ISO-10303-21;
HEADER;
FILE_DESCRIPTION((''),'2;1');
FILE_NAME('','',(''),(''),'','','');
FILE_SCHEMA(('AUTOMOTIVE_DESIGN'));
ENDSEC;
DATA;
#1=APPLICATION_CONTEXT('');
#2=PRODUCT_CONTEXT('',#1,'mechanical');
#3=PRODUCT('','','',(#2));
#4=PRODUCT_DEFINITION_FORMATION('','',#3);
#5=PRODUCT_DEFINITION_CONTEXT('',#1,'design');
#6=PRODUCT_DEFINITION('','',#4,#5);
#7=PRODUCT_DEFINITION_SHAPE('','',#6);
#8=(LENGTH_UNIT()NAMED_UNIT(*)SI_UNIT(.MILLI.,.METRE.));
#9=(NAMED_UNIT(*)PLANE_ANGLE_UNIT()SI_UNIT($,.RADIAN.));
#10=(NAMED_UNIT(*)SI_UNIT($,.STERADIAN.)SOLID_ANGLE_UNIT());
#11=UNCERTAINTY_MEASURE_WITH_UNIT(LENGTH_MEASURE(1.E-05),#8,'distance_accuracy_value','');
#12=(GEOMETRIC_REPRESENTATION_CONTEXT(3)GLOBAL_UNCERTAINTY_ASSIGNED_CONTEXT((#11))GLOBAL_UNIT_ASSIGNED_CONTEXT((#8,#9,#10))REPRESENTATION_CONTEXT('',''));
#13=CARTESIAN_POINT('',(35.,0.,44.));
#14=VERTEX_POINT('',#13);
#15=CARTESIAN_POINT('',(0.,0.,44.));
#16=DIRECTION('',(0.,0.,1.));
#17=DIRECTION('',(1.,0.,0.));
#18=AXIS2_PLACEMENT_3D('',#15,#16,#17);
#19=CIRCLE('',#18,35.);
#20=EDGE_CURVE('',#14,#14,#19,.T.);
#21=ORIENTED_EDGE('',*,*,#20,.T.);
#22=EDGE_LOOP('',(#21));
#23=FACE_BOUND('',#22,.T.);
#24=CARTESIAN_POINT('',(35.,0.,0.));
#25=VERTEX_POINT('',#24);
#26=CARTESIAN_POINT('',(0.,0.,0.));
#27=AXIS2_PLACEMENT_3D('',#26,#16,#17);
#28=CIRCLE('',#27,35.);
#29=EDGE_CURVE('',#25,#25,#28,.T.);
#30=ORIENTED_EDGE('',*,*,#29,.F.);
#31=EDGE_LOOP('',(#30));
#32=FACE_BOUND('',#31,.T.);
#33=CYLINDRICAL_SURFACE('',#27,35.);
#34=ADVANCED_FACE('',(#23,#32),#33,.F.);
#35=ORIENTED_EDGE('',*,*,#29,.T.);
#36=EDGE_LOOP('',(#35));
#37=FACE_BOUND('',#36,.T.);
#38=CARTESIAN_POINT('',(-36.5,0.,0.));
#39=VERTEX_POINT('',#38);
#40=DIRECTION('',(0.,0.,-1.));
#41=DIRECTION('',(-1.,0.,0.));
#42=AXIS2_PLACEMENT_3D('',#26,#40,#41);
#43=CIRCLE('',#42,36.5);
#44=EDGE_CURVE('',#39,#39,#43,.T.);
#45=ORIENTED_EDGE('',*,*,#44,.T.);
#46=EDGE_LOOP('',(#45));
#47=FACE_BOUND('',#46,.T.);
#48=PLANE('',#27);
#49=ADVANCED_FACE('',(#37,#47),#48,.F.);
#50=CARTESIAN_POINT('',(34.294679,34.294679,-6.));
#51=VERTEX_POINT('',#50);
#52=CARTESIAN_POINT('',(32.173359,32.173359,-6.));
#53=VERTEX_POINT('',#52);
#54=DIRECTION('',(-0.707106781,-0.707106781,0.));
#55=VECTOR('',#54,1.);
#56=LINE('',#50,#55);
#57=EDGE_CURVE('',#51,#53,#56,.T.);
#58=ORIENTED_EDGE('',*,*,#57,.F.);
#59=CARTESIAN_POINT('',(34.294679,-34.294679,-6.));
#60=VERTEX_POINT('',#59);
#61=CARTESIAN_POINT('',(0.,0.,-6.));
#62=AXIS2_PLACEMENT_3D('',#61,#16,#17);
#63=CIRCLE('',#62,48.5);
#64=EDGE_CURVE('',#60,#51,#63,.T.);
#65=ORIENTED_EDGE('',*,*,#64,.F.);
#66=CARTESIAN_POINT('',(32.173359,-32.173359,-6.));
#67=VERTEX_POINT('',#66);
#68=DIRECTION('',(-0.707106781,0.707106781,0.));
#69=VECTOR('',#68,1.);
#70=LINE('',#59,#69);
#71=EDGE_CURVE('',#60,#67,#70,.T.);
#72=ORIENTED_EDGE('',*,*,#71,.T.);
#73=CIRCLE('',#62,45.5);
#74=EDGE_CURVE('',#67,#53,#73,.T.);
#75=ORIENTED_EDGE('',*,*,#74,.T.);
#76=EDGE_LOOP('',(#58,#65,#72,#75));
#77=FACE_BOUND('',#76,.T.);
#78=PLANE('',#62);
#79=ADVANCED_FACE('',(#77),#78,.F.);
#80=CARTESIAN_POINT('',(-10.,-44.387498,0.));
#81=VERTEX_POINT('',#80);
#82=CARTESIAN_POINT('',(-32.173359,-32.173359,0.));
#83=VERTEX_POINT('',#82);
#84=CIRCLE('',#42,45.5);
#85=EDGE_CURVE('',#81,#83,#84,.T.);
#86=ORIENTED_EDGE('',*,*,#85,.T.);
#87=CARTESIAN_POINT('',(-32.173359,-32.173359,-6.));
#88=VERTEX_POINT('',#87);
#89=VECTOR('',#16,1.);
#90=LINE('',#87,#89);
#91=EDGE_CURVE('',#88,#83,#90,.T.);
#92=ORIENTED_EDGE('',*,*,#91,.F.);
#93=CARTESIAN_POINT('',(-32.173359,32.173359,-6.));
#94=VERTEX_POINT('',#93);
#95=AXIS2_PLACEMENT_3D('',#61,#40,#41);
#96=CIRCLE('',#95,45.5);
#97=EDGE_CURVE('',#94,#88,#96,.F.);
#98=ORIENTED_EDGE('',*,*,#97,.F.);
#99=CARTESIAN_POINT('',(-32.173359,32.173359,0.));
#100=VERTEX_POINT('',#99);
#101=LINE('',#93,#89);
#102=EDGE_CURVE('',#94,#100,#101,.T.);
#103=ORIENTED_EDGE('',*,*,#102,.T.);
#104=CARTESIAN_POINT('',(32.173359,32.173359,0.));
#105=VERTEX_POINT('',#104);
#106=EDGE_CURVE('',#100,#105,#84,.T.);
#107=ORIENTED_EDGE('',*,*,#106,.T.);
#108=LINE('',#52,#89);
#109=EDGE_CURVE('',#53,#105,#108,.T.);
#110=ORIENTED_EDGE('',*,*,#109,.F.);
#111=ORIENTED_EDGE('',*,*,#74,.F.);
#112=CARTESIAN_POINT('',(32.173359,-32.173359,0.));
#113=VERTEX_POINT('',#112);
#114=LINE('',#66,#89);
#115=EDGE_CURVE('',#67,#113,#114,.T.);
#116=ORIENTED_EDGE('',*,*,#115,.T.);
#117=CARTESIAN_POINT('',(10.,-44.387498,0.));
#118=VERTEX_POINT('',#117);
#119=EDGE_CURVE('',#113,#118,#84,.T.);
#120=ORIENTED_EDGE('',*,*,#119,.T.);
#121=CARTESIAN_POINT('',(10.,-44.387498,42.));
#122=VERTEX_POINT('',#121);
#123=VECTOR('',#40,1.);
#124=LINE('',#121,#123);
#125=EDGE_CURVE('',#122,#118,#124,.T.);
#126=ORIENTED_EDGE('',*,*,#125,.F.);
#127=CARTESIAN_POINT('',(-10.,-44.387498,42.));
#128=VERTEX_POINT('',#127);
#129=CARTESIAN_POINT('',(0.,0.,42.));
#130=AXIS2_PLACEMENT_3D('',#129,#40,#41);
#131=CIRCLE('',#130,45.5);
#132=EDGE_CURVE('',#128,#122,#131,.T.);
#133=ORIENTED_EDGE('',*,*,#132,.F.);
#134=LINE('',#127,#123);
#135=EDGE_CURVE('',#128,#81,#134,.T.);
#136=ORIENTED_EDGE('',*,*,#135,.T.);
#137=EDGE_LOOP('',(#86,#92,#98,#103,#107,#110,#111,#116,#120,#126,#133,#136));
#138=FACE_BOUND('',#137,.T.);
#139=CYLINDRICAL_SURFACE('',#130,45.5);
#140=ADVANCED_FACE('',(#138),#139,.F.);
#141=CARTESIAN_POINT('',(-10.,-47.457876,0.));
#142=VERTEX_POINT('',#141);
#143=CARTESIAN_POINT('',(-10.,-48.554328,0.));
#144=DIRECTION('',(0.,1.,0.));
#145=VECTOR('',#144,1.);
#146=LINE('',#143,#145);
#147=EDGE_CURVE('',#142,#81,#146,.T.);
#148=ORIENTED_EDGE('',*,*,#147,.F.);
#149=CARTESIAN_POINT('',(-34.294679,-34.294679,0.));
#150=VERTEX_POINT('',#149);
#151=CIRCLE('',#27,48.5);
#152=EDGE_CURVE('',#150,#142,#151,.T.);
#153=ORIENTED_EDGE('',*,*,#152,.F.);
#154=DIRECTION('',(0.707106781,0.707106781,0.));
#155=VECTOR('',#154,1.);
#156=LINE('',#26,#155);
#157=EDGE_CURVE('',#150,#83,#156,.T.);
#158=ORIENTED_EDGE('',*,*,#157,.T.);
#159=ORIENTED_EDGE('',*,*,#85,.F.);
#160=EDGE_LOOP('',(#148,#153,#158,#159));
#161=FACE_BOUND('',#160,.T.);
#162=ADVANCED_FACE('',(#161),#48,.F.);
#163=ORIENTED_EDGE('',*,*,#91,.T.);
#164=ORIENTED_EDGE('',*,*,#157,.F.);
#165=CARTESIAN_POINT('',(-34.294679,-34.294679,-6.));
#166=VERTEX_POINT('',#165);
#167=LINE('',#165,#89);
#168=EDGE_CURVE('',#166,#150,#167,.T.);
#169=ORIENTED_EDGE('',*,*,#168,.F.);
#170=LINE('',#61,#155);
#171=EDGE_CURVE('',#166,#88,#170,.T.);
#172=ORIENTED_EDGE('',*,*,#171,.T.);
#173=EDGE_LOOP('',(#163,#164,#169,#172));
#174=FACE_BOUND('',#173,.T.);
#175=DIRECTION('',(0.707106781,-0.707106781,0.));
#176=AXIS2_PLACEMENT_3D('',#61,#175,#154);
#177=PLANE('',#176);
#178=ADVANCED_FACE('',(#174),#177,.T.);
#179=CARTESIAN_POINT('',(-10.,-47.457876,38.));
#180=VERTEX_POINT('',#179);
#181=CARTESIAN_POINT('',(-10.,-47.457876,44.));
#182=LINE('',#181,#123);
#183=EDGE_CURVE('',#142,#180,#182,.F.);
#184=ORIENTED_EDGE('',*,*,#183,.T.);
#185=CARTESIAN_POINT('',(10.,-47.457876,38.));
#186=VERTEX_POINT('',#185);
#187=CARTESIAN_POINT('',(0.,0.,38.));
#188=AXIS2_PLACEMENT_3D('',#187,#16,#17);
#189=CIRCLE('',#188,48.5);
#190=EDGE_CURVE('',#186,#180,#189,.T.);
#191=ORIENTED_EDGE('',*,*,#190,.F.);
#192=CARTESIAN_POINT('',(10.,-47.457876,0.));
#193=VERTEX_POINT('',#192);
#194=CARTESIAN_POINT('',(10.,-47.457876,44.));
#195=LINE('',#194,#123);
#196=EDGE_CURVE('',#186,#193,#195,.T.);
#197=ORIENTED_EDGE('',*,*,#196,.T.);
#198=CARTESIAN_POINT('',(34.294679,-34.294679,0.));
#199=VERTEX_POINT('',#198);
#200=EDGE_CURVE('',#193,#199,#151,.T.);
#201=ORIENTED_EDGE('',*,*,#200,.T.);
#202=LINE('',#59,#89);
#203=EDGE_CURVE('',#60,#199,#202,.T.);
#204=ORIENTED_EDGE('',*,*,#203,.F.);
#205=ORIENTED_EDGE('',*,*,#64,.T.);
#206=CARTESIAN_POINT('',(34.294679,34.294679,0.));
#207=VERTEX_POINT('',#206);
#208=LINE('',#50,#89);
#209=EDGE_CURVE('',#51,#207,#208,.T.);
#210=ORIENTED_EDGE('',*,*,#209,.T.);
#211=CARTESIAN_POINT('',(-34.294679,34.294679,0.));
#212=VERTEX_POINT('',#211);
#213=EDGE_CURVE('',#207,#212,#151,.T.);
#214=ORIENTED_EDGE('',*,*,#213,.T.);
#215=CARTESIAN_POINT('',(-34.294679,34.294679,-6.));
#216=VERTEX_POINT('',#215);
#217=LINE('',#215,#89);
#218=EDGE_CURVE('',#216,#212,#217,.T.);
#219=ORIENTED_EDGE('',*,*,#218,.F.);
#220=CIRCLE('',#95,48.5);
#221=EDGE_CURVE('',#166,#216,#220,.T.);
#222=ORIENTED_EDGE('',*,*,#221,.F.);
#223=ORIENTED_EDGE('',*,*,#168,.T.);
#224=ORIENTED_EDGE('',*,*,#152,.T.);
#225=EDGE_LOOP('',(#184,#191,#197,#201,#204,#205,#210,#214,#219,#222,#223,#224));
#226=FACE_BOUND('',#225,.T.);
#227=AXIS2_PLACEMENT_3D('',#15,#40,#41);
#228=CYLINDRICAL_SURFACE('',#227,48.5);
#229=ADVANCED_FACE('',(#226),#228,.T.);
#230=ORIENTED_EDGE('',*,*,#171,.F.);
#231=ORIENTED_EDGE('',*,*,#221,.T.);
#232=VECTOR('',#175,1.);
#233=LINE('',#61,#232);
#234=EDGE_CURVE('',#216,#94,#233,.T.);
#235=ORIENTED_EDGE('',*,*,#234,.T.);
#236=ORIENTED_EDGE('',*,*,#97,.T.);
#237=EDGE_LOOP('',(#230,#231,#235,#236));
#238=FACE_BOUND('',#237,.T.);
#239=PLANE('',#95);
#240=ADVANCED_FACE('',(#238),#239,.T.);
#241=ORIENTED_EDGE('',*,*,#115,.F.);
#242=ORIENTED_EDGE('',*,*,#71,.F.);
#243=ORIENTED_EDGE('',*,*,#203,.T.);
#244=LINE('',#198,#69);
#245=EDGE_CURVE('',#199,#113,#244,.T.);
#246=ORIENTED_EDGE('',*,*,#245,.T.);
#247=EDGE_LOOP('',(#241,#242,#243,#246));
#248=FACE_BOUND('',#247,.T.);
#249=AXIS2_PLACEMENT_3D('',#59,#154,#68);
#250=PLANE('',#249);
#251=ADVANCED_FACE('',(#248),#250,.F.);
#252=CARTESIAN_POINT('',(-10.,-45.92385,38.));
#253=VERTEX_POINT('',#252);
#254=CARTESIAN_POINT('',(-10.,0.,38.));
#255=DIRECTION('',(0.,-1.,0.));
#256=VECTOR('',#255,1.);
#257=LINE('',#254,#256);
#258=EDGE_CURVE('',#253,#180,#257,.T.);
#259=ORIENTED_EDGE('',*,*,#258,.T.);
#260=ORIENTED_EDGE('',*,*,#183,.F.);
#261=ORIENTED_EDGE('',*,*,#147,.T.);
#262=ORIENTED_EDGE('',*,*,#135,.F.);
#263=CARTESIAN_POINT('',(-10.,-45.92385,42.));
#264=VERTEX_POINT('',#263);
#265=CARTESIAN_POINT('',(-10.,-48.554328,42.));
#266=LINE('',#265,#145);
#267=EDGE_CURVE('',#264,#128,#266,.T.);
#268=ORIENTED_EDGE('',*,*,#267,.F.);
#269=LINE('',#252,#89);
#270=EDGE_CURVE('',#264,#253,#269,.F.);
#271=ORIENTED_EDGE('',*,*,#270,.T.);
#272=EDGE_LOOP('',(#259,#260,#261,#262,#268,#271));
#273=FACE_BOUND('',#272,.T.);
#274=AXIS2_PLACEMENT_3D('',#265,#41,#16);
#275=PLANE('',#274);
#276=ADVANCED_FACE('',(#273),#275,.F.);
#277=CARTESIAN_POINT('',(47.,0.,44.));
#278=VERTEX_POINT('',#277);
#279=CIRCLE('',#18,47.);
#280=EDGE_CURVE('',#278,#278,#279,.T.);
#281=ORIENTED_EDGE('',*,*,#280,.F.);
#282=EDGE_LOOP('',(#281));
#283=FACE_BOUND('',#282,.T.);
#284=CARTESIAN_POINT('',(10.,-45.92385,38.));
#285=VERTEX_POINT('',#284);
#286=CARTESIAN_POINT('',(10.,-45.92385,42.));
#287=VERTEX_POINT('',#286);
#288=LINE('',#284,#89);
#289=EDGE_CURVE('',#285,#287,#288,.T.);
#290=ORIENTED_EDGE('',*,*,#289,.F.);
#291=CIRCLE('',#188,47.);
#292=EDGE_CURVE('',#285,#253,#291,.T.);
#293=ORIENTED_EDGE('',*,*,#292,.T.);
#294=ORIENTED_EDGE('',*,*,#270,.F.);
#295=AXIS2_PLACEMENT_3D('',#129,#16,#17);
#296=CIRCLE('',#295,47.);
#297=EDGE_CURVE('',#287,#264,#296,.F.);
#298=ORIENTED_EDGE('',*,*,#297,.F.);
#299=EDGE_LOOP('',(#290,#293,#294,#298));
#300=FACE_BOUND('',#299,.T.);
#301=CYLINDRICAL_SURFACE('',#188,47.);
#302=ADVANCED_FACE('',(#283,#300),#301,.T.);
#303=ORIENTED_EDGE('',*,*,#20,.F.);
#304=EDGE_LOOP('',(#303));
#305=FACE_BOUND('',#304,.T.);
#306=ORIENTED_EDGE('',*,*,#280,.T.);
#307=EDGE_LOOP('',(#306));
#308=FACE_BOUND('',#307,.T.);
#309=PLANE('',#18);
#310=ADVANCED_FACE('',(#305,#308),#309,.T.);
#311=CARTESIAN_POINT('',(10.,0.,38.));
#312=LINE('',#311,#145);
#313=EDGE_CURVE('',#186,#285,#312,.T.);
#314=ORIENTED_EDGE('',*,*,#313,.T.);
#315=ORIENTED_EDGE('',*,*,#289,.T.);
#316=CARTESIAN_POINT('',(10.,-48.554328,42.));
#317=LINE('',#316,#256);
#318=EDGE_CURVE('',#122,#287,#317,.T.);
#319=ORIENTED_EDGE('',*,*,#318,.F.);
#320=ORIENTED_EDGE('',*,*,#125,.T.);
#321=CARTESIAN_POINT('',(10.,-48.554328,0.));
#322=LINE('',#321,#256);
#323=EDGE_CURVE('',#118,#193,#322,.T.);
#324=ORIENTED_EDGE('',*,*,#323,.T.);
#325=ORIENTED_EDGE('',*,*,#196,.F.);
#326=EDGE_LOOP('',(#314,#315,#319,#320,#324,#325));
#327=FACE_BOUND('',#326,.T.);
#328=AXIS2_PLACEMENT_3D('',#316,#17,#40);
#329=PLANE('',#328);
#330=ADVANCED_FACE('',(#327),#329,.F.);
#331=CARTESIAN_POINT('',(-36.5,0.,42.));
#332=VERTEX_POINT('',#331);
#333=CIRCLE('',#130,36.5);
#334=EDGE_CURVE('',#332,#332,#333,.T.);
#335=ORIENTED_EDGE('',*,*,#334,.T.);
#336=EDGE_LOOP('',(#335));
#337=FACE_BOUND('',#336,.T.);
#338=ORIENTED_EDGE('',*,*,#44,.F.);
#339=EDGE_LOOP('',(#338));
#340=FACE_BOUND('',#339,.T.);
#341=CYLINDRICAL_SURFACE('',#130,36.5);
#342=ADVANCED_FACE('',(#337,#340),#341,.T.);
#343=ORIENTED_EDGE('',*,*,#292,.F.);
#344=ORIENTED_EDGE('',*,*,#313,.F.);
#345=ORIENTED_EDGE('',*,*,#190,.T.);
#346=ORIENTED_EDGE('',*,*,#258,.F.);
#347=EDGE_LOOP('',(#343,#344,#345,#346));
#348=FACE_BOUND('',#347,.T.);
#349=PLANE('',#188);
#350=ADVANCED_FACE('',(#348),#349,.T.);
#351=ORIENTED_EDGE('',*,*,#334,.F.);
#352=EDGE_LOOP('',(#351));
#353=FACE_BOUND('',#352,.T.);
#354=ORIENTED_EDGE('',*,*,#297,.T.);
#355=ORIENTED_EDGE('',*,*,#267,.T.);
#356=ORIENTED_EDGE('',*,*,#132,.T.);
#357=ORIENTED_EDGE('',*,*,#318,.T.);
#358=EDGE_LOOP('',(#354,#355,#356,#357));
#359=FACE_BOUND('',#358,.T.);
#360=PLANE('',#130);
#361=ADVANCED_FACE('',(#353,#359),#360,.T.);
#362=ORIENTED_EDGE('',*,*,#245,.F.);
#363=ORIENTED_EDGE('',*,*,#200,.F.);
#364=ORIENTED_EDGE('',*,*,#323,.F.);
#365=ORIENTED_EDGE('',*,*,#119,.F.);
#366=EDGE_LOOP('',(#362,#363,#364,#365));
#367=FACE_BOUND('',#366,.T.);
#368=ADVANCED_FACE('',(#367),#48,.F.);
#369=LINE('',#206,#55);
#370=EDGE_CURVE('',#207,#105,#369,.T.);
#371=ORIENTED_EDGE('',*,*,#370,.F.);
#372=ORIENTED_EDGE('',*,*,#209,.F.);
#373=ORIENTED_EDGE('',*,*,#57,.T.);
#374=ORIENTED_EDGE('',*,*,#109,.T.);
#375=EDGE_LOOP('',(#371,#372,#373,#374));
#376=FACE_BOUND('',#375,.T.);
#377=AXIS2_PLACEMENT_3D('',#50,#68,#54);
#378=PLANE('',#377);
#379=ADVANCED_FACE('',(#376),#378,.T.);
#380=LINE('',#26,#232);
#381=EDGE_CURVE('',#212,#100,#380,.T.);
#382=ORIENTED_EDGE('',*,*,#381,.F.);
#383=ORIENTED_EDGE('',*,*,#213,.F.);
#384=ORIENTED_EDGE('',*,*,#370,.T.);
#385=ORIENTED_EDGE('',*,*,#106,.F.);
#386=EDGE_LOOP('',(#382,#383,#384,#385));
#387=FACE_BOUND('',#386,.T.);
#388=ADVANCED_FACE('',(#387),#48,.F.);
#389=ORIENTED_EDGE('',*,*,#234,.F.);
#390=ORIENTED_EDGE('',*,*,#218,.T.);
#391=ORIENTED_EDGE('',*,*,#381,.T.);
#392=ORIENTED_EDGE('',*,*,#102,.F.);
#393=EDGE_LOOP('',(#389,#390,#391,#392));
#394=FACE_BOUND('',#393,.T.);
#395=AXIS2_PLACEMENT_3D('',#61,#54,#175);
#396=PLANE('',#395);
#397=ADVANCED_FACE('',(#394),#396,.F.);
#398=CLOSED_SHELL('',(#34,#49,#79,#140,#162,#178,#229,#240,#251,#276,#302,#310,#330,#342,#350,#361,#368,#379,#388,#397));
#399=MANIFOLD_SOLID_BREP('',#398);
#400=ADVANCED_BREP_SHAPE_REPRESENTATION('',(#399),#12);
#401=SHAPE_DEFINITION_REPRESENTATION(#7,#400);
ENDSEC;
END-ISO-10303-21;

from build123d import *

# Parameters (mm, degrees)
ESQUISSE1_R             = 48.5
BOSS_EXTRU_1_DEPTH      = 44
ESQUISSE2_R             = 48.5
ESQUISSE2_R_2           = 47
ENL_V_MAT_EXTRU_1_DEPTH = 6
ESQUISSE3_R             = 35
ENL_V_MAT_EXTRU_2_DEPTH = 45
ESQUISSE5_R             = 45.5
ESQUISSE5_R_2           = 36.5
ENL_V_MAT_EXTRU_3_DEPTH = 42
ESQUISSE6_W             = 20
ESQUISSE6_H             = 4.166829754
ENL_V_MAT_EXTRU_5_DEPTH = 42
BOSS_EXTRU_2_DEPTH      = 6


with BuildPart() as part:
    # Esquisse1 → Boss.-Extru.1 (new body)
    with BuildSketch(Plane.XY):
        Circle(ESQUISSE1_R)
    extrude(amount=BOSS_EXTRU_1_DEPTH)

    # Esquisse2 → Enlèv. mat.-Extru.1 (cut)
    with BuildSketch(Plane.XY.offset(44)):
        Circle(ESQUISSE2_R)
        Circle(ESQUISSE2_R_2, mode=Mode.SUBTRACT)
    extrude(amount=-ENL_V_MAT_EXTRU_1_DEPTH, mode=Mode.SUBTRACT)

    # Esquisse3 → Enlèv. mat.-Extru.2 (cut, through all)
    with BuildSketch(Plane.XY.offset(44)):
        Circle(ESQUISSE3_R)
    extrude(amount=-ENL_V_MAT_EXTRU_2_DEPTH, mode=Mode.SUBTRACT)

    # Esquisse5 → Enlèv. mat.-Extru.3 (cut)
    with BuildSketch(Plane(origin=(0, 0, 0), x_dir=(-1, 0, 0), z_dir=(0, 0, -1))):
        Circle(ESQUISSE5_R)
        Circle(ESQUISSE5_R_2, mode=Mode.SUBTRACT)
    extrude(amount=-ENL_V_MAT_EXTRU_3_DEPTH, mode=Mode.SUBTRACT)

    # Esquisse6 → Enlèv. mat.-Extru.5 (cut)
    with BuildSketch(Plane(origin=(0, 0, 0), x_dir=(-1, 0, 0), z_dir=(0, 0, -1))):
        with Locations((0, -46.470913117)):
            Rectangle(ESQUISSE6_W, ESQUISSE6_H)
    extrude(amount=-ENL_V_MAT_EXTRU_5_DEPTH, mode=Mode.SUBTRACT)

    # Esquisse8 → Boss.-Extru.2 (add)
    with BuildSketch(Plane(origin=(0, 0, 0), x_dir=(-1, 0, 0), z_dir=(0, 0, -1))):
        with BuildLine():
            ThreePointArc((34.294678888, -34.294678888), (48.5, 0), (34.294678888, 34.294678888))
            Line((34.294678888, 34.294678888), (32.173358544, 32.173358544))
            ThreePointArc((32.173358544, 32.173358544), (45.5, 0), (32.173358544, -32.173358544))
            Line((32.173358544, -32.173358544), (34.294678888, -34.294678888))
        make_face()
        with BuildLine():
            ThreePointArc((-34.294678888, -34.294678888), (-48.5, 0), (-34.294678888, 34.294678888))
            Line((-34.294678888, 34.294678888), (-32.173358544, 32.173358544))
            ThreePointArc((-32.173358544, 32.173358544), (-45.5, 0), (-32.173358544, -32.173358544))
            Line((-32.173358544, -32.173358544), (-34.294678888, -34.294678888))
        make_face()
    extrude(amount=BOSS_EXTRU_2_DEPTH)


solid = part.part
